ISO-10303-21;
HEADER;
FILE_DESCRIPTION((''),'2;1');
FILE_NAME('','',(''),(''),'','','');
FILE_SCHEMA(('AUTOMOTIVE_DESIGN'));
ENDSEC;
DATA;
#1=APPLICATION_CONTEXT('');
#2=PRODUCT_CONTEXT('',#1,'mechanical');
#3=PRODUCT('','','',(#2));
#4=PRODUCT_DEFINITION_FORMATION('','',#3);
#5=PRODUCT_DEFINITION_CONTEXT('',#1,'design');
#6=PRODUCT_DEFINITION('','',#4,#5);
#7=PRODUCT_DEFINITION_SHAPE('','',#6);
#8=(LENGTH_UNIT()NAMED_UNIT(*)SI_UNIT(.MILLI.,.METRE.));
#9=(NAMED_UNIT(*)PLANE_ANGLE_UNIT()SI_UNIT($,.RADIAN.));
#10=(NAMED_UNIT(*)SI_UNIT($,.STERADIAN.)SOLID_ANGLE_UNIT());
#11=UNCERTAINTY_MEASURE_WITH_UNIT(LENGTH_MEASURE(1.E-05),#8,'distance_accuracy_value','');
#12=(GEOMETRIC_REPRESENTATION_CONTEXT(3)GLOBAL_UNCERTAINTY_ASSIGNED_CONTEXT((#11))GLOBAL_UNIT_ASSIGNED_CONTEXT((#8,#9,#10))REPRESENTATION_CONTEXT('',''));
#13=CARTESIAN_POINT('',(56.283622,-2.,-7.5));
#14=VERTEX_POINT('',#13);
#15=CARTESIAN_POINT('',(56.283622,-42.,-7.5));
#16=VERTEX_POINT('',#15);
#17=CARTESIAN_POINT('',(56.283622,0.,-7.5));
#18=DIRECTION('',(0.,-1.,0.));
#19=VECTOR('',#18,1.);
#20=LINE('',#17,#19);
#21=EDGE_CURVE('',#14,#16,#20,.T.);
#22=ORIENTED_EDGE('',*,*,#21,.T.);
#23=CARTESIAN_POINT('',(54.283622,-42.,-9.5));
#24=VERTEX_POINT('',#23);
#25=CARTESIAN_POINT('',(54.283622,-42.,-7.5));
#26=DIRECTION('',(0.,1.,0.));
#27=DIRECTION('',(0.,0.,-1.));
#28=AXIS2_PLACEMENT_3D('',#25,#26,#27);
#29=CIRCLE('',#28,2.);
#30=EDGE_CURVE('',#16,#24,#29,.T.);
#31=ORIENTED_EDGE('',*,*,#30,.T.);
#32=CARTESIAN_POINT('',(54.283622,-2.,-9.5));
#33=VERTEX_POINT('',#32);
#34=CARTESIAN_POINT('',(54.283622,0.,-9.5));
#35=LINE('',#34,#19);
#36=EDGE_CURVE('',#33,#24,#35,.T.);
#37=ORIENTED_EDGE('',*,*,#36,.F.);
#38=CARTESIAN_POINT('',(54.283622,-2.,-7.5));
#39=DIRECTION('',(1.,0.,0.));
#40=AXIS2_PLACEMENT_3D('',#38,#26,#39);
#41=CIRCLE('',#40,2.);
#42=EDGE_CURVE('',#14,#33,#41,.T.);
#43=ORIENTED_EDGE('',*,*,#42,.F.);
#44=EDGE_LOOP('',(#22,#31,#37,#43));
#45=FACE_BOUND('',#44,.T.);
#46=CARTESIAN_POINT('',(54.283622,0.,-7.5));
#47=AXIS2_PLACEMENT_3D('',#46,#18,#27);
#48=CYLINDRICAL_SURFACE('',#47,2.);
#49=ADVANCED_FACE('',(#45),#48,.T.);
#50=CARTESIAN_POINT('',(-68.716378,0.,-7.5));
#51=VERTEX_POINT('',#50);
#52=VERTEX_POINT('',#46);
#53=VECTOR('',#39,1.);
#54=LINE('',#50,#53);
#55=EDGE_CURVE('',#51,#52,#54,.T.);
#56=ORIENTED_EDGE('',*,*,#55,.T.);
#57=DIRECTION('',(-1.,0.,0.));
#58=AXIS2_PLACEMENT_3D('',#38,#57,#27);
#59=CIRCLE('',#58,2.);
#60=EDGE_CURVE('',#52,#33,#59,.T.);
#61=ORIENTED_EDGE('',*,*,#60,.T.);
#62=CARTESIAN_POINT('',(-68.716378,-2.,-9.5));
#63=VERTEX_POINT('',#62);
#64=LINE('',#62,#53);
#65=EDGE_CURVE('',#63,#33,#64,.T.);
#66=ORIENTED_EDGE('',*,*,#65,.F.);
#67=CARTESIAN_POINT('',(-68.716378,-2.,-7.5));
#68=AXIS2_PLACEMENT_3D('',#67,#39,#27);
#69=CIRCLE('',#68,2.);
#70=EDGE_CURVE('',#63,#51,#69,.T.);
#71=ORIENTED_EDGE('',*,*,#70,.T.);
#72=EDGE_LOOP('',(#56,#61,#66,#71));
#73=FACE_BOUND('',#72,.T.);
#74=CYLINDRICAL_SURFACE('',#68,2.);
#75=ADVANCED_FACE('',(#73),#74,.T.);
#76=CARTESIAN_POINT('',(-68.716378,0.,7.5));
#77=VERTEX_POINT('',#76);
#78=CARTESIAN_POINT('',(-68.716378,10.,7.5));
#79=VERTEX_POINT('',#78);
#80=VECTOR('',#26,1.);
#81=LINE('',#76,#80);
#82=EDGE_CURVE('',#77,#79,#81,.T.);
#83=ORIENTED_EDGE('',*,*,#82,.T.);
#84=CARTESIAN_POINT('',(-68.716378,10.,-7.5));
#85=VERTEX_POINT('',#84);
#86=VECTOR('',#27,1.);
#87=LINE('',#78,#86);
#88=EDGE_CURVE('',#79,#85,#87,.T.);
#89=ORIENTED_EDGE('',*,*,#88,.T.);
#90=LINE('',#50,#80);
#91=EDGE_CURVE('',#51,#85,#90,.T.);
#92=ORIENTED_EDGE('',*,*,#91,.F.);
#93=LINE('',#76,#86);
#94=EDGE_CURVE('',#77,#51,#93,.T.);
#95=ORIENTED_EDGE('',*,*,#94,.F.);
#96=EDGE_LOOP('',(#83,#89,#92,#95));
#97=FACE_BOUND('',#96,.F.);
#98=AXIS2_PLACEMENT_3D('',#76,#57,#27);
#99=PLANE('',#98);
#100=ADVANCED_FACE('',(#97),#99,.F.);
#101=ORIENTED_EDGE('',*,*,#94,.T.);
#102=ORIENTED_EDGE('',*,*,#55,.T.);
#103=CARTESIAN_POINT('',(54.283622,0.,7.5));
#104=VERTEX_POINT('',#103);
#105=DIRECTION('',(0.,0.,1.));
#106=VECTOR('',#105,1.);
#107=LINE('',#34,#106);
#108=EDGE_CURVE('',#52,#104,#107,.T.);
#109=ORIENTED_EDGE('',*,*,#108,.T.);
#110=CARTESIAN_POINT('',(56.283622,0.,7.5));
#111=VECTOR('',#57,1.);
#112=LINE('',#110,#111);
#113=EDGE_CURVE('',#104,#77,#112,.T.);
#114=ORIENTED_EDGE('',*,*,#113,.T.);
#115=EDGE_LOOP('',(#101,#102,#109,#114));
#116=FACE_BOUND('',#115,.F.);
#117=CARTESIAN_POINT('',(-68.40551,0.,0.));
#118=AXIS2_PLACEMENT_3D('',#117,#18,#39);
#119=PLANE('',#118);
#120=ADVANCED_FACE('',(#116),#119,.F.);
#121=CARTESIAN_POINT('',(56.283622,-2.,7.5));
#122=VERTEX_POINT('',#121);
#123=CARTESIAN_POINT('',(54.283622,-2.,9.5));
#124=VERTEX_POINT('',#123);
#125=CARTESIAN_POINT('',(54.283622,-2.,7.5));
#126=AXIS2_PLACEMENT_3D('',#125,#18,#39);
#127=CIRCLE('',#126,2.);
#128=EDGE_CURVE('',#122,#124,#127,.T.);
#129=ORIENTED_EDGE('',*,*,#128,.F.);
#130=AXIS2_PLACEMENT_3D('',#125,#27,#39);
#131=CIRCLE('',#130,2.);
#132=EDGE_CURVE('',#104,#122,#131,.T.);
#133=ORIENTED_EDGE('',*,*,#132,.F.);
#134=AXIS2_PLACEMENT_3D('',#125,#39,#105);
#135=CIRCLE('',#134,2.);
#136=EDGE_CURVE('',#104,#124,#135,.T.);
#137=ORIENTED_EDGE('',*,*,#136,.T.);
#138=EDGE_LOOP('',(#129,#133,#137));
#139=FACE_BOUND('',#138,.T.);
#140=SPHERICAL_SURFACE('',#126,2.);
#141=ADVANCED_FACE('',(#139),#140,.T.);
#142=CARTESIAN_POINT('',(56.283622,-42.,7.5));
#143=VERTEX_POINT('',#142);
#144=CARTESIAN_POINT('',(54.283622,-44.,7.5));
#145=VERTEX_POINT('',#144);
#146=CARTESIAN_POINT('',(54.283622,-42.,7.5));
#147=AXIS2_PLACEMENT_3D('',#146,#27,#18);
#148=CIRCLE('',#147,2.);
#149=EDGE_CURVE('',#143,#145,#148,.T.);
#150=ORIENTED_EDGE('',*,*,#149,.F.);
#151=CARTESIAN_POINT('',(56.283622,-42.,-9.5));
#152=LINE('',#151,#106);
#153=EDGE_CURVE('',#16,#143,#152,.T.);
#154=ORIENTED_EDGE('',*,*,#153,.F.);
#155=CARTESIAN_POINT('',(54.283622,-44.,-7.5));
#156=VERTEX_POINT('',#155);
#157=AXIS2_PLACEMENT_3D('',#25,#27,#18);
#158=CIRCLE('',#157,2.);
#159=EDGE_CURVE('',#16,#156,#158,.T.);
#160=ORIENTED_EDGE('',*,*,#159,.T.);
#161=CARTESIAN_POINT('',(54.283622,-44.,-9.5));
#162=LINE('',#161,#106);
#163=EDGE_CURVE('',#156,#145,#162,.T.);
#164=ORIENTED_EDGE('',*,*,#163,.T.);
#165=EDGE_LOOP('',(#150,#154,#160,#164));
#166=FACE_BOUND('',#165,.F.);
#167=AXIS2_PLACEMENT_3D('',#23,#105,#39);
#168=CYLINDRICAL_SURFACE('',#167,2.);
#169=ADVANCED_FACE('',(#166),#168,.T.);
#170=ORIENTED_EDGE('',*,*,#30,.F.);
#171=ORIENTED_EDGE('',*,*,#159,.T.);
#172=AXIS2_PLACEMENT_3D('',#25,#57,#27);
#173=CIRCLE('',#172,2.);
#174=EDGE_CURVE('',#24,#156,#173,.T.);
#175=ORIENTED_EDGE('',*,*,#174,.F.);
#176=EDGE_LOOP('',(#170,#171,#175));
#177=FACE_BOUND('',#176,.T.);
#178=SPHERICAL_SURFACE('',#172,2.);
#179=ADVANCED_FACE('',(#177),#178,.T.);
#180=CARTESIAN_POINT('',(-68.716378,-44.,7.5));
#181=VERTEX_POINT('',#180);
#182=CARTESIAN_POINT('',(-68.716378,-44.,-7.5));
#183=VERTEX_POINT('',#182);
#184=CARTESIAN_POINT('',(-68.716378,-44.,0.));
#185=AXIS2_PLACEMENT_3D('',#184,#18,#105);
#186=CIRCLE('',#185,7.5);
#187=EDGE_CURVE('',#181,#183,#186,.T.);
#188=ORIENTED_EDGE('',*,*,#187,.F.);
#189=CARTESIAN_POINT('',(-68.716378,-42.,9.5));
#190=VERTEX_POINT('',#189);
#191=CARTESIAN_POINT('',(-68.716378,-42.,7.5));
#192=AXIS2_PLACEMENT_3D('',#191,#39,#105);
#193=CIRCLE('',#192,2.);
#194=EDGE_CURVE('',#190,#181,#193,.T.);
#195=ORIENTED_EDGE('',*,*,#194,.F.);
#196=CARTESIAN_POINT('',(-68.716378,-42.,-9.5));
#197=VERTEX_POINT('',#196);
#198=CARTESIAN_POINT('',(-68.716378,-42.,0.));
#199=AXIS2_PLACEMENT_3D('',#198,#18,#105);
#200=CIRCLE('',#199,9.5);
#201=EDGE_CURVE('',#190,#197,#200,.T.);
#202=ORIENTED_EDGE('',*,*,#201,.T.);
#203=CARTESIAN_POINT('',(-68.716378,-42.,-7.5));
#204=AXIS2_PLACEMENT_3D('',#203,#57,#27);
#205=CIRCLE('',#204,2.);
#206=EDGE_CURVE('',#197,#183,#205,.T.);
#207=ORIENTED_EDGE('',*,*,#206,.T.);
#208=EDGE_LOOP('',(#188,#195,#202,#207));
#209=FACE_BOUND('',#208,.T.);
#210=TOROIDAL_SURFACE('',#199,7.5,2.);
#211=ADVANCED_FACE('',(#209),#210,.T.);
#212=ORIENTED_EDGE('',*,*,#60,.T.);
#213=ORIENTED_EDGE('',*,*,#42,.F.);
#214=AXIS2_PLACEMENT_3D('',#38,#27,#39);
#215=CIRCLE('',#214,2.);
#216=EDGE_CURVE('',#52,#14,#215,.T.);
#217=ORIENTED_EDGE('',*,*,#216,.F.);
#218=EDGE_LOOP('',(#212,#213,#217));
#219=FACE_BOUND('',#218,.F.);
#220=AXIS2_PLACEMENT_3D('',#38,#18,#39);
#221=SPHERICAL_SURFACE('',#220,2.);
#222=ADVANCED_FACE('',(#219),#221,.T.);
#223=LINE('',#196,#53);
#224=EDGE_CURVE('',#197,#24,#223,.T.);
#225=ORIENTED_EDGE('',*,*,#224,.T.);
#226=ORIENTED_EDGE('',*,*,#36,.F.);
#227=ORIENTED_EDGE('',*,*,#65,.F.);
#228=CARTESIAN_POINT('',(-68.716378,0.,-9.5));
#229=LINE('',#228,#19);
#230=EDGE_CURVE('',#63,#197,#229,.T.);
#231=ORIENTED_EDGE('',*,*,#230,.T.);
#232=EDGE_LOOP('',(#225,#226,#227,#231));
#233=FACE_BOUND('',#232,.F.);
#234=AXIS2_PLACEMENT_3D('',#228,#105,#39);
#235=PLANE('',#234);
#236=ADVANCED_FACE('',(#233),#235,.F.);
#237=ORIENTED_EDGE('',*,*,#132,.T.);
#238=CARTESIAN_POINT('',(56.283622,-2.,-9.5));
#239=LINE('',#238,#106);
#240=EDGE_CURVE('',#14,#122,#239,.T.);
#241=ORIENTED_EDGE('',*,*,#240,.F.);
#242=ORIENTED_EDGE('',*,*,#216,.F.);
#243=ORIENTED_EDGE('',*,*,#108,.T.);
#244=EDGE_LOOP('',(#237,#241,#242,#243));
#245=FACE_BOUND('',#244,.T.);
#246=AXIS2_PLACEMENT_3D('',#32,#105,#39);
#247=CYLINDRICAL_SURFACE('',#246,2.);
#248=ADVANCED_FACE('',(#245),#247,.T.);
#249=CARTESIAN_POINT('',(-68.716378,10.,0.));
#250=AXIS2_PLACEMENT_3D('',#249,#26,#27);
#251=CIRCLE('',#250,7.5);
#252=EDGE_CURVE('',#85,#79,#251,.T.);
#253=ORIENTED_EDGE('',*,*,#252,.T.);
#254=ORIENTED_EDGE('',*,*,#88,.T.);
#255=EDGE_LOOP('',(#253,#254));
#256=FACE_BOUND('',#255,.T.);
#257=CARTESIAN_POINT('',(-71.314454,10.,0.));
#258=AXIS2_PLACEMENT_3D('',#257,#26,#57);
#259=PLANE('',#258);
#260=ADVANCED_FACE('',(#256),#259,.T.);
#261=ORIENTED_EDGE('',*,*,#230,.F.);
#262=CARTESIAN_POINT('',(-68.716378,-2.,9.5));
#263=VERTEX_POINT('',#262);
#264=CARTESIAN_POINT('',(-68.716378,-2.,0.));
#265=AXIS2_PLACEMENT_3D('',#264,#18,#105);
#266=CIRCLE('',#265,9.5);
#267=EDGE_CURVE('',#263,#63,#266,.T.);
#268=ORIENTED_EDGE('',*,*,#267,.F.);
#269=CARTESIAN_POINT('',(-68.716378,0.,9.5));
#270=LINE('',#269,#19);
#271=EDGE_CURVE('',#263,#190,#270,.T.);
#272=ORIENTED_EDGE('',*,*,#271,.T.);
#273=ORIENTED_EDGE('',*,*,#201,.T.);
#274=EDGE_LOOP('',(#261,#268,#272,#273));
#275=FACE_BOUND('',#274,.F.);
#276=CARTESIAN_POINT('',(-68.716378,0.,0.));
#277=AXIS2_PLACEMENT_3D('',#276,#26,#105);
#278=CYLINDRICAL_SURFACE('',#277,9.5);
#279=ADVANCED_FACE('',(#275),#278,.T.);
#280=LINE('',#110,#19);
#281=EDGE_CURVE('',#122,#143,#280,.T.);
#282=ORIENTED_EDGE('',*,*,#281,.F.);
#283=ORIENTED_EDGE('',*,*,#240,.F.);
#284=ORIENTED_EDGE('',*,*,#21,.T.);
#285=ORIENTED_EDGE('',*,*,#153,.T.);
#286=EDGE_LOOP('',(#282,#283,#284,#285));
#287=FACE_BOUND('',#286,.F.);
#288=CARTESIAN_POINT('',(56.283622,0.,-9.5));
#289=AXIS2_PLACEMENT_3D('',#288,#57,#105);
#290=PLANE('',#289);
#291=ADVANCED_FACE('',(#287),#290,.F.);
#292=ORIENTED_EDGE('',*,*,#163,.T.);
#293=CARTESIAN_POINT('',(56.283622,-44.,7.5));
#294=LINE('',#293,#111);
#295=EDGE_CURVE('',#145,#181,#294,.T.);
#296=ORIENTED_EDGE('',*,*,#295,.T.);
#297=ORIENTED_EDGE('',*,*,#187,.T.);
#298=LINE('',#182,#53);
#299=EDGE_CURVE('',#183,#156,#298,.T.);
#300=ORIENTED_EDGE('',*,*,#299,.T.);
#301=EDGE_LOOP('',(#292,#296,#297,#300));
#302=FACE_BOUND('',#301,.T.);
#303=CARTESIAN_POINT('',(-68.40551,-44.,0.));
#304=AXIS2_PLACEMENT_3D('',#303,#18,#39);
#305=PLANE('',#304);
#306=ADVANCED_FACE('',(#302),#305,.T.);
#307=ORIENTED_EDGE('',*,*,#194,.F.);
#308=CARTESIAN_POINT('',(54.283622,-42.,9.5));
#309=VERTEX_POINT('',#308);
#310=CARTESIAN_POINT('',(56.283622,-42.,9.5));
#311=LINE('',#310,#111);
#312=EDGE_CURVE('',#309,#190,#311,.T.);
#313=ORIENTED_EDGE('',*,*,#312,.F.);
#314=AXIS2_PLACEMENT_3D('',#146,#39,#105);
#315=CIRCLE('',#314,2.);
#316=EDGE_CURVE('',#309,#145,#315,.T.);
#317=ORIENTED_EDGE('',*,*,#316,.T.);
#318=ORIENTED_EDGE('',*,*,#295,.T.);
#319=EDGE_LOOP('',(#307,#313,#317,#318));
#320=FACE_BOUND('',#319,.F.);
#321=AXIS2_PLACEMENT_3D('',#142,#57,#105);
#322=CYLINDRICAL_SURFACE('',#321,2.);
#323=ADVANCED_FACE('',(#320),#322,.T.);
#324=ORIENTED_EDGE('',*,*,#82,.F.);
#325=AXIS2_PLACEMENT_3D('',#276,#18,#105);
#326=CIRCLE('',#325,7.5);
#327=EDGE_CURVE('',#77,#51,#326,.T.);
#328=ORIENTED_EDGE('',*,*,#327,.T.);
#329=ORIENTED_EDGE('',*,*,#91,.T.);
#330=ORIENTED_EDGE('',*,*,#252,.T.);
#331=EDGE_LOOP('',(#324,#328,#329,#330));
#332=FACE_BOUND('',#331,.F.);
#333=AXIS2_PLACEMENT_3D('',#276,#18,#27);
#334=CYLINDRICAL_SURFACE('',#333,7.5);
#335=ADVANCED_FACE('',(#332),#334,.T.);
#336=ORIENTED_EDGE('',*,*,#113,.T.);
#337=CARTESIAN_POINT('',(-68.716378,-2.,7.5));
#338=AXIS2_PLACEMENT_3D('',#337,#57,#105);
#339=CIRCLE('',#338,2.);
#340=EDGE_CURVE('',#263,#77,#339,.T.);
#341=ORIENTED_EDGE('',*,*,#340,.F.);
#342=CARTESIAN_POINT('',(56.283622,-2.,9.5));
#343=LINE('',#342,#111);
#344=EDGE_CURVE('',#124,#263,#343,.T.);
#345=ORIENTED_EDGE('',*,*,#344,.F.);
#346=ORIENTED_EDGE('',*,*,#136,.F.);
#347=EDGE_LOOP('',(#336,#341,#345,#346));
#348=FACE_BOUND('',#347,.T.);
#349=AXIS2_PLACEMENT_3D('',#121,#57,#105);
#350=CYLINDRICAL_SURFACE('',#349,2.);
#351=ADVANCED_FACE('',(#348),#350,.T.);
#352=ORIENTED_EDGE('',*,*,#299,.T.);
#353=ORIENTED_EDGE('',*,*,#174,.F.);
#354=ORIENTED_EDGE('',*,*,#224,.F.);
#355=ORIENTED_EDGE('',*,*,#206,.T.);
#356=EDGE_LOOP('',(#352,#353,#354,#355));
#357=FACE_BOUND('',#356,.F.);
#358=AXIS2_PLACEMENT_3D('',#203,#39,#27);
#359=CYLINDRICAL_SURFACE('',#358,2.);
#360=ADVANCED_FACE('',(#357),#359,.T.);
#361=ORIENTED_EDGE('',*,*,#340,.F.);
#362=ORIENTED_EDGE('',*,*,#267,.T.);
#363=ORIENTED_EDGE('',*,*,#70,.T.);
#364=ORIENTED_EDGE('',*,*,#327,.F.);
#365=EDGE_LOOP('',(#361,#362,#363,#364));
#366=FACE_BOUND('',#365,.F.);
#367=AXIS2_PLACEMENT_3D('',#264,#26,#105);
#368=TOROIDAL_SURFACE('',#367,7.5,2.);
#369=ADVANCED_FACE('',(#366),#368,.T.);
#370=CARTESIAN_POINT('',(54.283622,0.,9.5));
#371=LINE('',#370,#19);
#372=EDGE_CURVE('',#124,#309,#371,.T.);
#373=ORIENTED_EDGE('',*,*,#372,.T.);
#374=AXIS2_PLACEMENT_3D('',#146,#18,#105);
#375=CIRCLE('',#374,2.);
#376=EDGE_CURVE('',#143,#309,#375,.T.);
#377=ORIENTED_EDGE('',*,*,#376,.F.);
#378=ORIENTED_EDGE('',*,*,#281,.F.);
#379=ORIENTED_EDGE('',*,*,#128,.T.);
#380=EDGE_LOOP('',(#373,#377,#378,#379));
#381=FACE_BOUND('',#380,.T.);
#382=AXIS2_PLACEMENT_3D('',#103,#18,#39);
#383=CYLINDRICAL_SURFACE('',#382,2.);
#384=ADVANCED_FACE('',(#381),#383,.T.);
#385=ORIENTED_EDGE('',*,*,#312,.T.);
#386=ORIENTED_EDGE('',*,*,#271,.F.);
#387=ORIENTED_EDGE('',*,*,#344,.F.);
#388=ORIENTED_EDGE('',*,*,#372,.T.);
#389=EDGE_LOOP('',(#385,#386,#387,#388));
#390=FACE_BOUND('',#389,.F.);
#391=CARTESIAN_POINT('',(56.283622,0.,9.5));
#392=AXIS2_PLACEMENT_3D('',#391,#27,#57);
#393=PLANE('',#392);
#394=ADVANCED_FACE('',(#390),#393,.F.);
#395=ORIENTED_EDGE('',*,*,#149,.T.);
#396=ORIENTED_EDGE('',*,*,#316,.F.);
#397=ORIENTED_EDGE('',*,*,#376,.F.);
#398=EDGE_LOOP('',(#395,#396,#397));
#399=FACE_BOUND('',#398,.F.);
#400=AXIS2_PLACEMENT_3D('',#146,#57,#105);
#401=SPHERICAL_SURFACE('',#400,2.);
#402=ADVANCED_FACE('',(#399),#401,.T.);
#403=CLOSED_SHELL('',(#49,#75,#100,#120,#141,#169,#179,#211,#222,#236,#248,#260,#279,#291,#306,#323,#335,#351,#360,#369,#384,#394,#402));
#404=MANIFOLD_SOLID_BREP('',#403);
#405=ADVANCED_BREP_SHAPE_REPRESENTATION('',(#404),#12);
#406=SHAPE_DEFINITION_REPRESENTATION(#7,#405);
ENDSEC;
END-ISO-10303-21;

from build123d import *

# Parameters (mm, degrees)
F1_DEPTH = 44
F2_R     = 2
F4_DEPTH = 10


with BuildPart() as f1:
    # F0 (on Front) → F1 (new body)
    with BuildSketch(Plane.XZ):
        with BuildLine():
            ThreePointArc((-68.716378, -9.5), (-61.998863, -6.717514), (-59.216378, 0))
            ThreePointArc((-59.216378, 0), (-61.998863, 6.717514), (-68.716378, 9.5))
            ThreePointArc((-68.716378, 9.5), (-78.216378, 0), (-68.716378, -9.5))
        make_face()
        with BuildLine():
            ThreePointArc((-68.716378, 9.5), (-61.998863, 6.717514), (-59.216378, 0))
            ThreePointArc((-59.216378, 0), (-61.998863, -6.717514), (-68.716378, -9.5))
            Line((-68.716378, -9.5), (56.283622, -9.5))
            Line((56.283622, -9.5), (56.283622, 9.5))
            Line((56.283622, 9.5), (-68.716378, 9.5))
        make_face()
    extrude(amount=F1_DEPTH)

    # F2
    f2_edges = [f1.edges().sort_by_distance(p)[0] for p in [
        (-6.216378, -44, 9.5),
        (56.283622, -22, 9.5),
        (56.283622, -22, -9.5),
        (56.283622, -44, 0),
        (56.283622, 0, 0),
        (-6.216378, 0, -9.5),
        (-6.216378, 0, 9.5),
    ]]
    fillet(f2_edges, radius=F2_R)

    # F3 (on face) → F4 (join)
    with BuildSketch(Plane(origin=(0, 0, 0), x_dir=(-1, 0, 0), z_dir=(0, 1, 0))):
        with BuildLine():
            ThreePointArc((68.716378, -7.5), (76.216378, 0), (68.716378, 7.5))
            Line((68.716378, 7.5), (68.716378, -7.5))
        make_face()
    extrude(amount=F4_DEPTH)


solid = f1.part
